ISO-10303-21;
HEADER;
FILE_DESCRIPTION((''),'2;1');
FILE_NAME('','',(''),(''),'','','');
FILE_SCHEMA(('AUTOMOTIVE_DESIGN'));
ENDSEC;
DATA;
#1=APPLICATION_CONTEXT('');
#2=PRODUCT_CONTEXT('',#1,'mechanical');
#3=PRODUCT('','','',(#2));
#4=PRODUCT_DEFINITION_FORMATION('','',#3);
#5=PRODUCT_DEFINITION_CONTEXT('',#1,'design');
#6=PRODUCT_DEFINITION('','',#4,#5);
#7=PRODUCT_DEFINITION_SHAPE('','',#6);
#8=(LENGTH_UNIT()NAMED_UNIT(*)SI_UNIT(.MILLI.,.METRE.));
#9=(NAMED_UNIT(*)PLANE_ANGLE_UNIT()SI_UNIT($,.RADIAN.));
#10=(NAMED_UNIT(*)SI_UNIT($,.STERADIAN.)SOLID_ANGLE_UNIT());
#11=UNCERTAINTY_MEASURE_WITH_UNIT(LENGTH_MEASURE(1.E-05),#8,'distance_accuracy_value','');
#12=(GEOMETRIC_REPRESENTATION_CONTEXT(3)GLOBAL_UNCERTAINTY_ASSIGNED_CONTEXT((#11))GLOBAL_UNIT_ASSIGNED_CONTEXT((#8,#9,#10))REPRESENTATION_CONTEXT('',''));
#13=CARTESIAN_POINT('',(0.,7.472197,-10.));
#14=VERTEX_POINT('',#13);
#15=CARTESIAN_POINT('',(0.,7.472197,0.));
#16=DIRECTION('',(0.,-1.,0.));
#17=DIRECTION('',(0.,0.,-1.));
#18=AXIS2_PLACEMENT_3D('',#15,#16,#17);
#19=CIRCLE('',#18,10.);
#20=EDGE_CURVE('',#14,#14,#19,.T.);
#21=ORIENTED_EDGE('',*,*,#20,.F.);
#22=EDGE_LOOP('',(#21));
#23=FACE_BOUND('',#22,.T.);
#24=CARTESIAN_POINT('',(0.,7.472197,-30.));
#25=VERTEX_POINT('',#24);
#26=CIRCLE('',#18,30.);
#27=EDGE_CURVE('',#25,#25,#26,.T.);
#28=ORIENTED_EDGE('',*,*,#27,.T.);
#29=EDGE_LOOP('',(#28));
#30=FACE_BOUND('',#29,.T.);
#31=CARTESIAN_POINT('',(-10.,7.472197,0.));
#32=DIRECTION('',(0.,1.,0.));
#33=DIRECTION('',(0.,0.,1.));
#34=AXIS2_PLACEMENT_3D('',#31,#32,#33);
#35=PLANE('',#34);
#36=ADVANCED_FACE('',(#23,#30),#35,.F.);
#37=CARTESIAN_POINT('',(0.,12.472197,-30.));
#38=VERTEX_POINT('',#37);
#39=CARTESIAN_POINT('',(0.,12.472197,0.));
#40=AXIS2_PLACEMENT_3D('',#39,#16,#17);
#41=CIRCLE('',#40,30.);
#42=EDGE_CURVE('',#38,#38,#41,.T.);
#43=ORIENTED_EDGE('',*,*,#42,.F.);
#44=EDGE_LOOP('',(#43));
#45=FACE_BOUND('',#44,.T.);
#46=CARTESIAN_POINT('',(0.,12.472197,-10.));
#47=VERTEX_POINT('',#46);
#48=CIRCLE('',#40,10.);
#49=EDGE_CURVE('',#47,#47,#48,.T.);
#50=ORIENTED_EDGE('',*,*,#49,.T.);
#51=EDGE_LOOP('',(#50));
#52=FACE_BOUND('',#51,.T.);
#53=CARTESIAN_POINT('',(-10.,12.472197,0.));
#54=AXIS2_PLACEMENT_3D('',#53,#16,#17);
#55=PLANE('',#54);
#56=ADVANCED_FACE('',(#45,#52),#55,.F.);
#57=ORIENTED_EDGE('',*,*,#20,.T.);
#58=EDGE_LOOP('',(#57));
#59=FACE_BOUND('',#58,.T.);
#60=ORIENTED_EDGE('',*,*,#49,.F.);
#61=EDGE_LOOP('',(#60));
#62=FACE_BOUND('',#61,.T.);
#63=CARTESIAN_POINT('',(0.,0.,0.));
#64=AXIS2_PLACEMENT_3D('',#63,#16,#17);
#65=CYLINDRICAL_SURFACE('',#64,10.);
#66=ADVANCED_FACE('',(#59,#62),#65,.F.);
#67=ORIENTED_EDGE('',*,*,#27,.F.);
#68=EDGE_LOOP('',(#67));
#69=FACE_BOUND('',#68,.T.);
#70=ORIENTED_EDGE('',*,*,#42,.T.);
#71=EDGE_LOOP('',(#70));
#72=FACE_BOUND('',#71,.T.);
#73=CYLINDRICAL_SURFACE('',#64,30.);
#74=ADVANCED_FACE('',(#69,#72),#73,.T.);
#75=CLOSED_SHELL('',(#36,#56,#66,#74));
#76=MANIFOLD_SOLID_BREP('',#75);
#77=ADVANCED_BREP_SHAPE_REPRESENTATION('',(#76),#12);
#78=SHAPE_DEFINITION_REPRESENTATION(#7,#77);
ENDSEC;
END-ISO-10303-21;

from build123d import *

# Parameters (mm, degrees)
SZKIC1_W = 20
SZKIC1_H = 5


with BuildPart() as part:
    # Szkic1 → Obrót1 (revolve)
    with BuildSketch(Plane.XY):
        with Locations((-20, 9.972196922)):
            Rectangle(SZKIC1_W, SZKIC1_H)
    revolve(axis=Axis((0, 0, 0), (0, 1, 0)))


solid = part.part
